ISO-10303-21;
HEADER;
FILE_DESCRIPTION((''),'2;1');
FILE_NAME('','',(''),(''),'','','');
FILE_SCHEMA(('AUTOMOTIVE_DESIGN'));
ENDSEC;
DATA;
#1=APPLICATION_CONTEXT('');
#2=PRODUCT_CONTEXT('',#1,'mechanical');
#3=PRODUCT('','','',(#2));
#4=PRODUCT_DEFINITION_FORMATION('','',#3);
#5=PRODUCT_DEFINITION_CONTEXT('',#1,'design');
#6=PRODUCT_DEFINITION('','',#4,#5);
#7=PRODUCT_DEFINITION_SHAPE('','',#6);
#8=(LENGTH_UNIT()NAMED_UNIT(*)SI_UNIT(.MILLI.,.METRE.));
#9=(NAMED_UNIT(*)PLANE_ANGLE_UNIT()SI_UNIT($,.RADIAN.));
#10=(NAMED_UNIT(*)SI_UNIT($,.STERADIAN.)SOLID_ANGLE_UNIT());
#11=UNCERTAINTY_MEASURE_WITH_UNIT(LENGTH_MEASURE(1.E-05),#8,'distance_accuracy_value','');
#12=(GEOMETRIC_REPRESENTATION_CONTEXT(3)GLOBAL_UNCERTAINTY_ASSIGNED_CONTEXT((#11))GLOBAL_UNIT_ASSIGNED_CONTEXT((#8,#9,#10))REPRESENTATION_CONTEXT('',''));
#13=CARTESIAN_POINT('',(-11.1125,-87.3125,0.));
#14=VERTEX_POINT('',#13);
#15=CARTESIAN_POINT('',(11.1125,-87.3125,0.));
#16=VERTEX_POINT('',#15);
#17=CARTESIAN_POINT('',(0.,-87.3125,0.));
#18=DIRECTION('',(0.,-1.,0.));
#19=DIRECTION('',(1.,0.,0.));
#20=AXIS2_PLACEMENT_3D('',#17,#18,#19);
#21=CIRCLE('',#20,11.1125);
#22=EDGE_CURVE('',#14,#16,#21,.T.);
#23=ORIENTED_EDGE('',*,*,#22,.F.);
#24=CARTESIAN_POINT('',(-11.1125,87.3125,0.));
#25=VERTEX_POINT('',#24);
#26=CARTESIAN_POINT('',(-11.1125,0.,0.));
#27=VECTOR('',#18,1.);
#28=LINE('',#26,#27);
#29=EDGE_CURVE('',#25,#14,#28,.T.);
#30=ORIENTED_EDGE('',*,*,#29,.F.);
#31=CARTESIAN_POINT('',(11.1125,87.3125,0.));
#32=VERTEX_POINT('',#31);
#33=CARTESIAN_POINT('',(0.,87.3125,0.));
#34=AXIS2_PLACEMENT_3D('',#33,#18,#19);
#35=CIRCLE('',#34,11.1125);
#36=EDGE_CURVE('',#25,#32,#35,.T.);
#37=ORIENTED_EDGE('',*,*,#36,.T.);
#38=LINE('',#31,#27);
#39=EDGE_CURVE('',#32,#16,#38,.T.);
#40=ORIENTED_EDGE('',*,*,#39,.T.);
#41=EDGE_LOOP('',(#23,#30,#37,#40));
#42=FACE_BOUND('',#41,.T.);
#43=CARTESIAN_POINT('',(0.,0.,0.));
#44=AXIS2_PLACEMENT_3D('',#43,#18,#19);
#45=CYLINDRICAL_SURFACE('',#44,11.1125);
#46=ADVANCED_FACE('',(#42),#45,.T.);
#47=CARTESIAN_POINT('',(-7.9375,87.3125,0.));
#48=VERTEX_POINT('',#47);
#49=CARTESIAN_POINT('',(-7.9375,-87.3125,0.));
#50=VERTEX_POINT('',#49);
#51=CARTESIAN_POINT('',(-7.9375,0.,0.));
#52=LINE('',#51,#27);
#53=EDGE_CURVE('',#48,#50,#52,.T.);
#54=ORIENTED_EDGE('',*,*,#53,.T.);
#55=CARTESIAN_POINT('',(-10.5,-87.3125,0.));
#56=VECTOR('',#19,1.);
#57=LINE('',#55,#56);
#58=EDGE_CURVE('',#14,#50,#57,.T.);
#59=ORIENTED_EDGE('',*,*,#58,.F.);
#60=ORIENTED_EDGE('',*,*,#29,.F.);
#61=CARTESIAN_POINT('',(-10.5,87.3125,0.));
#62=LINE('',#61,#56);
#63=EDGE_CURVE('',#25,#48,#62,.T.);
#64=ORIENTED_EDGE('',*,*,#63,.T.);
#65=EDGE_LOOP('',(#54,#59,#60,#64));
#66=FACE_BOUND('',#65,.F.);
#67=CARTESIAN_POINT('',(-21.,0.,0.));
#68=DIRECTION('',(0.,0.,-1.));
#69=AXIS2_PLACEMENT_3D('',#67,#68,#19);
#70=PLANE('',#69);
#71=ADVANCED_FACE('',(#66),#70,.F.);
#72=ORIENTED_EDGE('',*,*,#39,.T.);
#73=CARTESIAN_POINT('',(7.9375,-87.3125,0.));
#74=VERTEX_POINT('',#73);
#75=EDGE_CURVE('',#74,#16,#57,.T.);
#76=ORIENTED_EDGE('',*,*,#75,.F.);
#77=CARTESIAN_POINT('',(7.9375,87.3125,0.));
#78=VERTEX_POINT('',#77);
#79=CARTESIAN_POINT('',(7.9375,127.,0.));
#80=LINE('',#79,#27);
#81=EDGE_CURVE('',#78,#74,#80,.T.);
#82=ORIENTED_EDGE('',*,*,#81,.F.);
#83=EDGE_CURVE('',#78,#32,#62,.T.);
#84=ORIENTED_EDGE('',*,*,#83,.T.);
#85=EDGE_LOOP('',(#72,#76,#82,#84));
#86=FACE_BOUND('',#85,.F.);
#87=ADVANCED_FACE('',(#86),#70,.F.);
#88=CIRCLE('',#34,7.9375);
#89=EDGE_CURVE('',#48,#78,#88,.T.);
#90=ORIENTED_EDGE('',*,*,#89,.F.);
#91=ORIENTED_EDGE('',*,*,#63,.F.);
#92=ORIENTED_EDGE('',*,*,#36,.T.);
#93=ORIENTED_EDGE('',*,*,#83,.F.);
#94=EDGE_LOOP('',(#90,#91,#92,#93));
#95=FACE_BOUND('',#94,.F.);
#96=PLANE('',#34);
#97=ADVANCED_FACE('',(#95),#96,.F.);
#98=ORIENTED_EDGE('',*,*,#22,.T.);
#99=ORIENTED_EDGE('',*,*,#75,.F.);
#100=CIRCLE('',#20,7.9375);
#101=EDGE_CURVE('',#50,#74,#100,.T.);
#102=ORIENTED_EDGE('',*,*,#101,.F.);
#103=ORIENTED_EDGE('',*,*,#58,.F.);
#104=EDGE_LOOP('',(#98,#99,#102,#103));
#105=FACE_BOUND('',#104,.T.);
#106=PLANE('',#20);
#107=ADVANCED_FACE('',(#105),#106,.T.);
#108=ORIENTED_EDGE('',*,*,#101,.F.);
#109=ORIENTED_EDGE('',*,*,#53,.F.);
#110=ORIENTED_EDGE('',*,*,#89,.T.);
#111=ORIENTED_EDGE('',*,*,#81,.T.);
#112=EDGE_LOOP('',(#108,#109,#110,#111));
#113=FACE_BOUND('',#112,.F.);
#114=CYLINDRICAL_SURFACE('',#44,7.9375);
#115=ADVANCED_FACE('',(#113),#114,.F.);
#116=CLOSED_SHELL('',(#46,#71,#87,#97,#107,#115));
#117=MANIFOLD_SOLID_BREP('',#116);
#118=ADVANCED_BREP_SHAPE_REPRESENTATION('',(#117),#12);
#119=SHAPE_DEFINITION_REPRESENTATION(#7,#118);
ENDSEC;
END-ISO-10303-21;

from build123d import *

# Parameters (mm, degrees)
F0_R     = 11.1125
F1_DEPTH = 87.3125
F2_R     = 7.9375
F3_DEPTH = 127
F4_W     = 41.7499989271
F4_H     = 12.747396715
F5_DEPTH = 127


with BuildPart() as f1:
    # F0 (on Front) → F1 (new body, symmetric)
    with BuildSketch(Plane.XZ):
        Circle(F0_R)
    extrude(amount=F1_DEPTH, both=True)

    # F2 (on Front) → F3 (cut, symmetric)
    with BuildSketch(Plane.XZ):
        Circle(F2_R)
    extrude(amount=F3_DEPTH, both=True, mode=Mode.SUBTRACT)

    # F4 (on Front) → F5 (cut, symmetric)
    with BuildSketch(Plane.XZ):
        with Locations((-0.1250002533, 6.3736983575)):
            Rectangle(F4_W, F4_H)
    extrude(amount=F5_DEPTH, both=True, mode=Mode.SUBTRACT)


solid = f1.part
